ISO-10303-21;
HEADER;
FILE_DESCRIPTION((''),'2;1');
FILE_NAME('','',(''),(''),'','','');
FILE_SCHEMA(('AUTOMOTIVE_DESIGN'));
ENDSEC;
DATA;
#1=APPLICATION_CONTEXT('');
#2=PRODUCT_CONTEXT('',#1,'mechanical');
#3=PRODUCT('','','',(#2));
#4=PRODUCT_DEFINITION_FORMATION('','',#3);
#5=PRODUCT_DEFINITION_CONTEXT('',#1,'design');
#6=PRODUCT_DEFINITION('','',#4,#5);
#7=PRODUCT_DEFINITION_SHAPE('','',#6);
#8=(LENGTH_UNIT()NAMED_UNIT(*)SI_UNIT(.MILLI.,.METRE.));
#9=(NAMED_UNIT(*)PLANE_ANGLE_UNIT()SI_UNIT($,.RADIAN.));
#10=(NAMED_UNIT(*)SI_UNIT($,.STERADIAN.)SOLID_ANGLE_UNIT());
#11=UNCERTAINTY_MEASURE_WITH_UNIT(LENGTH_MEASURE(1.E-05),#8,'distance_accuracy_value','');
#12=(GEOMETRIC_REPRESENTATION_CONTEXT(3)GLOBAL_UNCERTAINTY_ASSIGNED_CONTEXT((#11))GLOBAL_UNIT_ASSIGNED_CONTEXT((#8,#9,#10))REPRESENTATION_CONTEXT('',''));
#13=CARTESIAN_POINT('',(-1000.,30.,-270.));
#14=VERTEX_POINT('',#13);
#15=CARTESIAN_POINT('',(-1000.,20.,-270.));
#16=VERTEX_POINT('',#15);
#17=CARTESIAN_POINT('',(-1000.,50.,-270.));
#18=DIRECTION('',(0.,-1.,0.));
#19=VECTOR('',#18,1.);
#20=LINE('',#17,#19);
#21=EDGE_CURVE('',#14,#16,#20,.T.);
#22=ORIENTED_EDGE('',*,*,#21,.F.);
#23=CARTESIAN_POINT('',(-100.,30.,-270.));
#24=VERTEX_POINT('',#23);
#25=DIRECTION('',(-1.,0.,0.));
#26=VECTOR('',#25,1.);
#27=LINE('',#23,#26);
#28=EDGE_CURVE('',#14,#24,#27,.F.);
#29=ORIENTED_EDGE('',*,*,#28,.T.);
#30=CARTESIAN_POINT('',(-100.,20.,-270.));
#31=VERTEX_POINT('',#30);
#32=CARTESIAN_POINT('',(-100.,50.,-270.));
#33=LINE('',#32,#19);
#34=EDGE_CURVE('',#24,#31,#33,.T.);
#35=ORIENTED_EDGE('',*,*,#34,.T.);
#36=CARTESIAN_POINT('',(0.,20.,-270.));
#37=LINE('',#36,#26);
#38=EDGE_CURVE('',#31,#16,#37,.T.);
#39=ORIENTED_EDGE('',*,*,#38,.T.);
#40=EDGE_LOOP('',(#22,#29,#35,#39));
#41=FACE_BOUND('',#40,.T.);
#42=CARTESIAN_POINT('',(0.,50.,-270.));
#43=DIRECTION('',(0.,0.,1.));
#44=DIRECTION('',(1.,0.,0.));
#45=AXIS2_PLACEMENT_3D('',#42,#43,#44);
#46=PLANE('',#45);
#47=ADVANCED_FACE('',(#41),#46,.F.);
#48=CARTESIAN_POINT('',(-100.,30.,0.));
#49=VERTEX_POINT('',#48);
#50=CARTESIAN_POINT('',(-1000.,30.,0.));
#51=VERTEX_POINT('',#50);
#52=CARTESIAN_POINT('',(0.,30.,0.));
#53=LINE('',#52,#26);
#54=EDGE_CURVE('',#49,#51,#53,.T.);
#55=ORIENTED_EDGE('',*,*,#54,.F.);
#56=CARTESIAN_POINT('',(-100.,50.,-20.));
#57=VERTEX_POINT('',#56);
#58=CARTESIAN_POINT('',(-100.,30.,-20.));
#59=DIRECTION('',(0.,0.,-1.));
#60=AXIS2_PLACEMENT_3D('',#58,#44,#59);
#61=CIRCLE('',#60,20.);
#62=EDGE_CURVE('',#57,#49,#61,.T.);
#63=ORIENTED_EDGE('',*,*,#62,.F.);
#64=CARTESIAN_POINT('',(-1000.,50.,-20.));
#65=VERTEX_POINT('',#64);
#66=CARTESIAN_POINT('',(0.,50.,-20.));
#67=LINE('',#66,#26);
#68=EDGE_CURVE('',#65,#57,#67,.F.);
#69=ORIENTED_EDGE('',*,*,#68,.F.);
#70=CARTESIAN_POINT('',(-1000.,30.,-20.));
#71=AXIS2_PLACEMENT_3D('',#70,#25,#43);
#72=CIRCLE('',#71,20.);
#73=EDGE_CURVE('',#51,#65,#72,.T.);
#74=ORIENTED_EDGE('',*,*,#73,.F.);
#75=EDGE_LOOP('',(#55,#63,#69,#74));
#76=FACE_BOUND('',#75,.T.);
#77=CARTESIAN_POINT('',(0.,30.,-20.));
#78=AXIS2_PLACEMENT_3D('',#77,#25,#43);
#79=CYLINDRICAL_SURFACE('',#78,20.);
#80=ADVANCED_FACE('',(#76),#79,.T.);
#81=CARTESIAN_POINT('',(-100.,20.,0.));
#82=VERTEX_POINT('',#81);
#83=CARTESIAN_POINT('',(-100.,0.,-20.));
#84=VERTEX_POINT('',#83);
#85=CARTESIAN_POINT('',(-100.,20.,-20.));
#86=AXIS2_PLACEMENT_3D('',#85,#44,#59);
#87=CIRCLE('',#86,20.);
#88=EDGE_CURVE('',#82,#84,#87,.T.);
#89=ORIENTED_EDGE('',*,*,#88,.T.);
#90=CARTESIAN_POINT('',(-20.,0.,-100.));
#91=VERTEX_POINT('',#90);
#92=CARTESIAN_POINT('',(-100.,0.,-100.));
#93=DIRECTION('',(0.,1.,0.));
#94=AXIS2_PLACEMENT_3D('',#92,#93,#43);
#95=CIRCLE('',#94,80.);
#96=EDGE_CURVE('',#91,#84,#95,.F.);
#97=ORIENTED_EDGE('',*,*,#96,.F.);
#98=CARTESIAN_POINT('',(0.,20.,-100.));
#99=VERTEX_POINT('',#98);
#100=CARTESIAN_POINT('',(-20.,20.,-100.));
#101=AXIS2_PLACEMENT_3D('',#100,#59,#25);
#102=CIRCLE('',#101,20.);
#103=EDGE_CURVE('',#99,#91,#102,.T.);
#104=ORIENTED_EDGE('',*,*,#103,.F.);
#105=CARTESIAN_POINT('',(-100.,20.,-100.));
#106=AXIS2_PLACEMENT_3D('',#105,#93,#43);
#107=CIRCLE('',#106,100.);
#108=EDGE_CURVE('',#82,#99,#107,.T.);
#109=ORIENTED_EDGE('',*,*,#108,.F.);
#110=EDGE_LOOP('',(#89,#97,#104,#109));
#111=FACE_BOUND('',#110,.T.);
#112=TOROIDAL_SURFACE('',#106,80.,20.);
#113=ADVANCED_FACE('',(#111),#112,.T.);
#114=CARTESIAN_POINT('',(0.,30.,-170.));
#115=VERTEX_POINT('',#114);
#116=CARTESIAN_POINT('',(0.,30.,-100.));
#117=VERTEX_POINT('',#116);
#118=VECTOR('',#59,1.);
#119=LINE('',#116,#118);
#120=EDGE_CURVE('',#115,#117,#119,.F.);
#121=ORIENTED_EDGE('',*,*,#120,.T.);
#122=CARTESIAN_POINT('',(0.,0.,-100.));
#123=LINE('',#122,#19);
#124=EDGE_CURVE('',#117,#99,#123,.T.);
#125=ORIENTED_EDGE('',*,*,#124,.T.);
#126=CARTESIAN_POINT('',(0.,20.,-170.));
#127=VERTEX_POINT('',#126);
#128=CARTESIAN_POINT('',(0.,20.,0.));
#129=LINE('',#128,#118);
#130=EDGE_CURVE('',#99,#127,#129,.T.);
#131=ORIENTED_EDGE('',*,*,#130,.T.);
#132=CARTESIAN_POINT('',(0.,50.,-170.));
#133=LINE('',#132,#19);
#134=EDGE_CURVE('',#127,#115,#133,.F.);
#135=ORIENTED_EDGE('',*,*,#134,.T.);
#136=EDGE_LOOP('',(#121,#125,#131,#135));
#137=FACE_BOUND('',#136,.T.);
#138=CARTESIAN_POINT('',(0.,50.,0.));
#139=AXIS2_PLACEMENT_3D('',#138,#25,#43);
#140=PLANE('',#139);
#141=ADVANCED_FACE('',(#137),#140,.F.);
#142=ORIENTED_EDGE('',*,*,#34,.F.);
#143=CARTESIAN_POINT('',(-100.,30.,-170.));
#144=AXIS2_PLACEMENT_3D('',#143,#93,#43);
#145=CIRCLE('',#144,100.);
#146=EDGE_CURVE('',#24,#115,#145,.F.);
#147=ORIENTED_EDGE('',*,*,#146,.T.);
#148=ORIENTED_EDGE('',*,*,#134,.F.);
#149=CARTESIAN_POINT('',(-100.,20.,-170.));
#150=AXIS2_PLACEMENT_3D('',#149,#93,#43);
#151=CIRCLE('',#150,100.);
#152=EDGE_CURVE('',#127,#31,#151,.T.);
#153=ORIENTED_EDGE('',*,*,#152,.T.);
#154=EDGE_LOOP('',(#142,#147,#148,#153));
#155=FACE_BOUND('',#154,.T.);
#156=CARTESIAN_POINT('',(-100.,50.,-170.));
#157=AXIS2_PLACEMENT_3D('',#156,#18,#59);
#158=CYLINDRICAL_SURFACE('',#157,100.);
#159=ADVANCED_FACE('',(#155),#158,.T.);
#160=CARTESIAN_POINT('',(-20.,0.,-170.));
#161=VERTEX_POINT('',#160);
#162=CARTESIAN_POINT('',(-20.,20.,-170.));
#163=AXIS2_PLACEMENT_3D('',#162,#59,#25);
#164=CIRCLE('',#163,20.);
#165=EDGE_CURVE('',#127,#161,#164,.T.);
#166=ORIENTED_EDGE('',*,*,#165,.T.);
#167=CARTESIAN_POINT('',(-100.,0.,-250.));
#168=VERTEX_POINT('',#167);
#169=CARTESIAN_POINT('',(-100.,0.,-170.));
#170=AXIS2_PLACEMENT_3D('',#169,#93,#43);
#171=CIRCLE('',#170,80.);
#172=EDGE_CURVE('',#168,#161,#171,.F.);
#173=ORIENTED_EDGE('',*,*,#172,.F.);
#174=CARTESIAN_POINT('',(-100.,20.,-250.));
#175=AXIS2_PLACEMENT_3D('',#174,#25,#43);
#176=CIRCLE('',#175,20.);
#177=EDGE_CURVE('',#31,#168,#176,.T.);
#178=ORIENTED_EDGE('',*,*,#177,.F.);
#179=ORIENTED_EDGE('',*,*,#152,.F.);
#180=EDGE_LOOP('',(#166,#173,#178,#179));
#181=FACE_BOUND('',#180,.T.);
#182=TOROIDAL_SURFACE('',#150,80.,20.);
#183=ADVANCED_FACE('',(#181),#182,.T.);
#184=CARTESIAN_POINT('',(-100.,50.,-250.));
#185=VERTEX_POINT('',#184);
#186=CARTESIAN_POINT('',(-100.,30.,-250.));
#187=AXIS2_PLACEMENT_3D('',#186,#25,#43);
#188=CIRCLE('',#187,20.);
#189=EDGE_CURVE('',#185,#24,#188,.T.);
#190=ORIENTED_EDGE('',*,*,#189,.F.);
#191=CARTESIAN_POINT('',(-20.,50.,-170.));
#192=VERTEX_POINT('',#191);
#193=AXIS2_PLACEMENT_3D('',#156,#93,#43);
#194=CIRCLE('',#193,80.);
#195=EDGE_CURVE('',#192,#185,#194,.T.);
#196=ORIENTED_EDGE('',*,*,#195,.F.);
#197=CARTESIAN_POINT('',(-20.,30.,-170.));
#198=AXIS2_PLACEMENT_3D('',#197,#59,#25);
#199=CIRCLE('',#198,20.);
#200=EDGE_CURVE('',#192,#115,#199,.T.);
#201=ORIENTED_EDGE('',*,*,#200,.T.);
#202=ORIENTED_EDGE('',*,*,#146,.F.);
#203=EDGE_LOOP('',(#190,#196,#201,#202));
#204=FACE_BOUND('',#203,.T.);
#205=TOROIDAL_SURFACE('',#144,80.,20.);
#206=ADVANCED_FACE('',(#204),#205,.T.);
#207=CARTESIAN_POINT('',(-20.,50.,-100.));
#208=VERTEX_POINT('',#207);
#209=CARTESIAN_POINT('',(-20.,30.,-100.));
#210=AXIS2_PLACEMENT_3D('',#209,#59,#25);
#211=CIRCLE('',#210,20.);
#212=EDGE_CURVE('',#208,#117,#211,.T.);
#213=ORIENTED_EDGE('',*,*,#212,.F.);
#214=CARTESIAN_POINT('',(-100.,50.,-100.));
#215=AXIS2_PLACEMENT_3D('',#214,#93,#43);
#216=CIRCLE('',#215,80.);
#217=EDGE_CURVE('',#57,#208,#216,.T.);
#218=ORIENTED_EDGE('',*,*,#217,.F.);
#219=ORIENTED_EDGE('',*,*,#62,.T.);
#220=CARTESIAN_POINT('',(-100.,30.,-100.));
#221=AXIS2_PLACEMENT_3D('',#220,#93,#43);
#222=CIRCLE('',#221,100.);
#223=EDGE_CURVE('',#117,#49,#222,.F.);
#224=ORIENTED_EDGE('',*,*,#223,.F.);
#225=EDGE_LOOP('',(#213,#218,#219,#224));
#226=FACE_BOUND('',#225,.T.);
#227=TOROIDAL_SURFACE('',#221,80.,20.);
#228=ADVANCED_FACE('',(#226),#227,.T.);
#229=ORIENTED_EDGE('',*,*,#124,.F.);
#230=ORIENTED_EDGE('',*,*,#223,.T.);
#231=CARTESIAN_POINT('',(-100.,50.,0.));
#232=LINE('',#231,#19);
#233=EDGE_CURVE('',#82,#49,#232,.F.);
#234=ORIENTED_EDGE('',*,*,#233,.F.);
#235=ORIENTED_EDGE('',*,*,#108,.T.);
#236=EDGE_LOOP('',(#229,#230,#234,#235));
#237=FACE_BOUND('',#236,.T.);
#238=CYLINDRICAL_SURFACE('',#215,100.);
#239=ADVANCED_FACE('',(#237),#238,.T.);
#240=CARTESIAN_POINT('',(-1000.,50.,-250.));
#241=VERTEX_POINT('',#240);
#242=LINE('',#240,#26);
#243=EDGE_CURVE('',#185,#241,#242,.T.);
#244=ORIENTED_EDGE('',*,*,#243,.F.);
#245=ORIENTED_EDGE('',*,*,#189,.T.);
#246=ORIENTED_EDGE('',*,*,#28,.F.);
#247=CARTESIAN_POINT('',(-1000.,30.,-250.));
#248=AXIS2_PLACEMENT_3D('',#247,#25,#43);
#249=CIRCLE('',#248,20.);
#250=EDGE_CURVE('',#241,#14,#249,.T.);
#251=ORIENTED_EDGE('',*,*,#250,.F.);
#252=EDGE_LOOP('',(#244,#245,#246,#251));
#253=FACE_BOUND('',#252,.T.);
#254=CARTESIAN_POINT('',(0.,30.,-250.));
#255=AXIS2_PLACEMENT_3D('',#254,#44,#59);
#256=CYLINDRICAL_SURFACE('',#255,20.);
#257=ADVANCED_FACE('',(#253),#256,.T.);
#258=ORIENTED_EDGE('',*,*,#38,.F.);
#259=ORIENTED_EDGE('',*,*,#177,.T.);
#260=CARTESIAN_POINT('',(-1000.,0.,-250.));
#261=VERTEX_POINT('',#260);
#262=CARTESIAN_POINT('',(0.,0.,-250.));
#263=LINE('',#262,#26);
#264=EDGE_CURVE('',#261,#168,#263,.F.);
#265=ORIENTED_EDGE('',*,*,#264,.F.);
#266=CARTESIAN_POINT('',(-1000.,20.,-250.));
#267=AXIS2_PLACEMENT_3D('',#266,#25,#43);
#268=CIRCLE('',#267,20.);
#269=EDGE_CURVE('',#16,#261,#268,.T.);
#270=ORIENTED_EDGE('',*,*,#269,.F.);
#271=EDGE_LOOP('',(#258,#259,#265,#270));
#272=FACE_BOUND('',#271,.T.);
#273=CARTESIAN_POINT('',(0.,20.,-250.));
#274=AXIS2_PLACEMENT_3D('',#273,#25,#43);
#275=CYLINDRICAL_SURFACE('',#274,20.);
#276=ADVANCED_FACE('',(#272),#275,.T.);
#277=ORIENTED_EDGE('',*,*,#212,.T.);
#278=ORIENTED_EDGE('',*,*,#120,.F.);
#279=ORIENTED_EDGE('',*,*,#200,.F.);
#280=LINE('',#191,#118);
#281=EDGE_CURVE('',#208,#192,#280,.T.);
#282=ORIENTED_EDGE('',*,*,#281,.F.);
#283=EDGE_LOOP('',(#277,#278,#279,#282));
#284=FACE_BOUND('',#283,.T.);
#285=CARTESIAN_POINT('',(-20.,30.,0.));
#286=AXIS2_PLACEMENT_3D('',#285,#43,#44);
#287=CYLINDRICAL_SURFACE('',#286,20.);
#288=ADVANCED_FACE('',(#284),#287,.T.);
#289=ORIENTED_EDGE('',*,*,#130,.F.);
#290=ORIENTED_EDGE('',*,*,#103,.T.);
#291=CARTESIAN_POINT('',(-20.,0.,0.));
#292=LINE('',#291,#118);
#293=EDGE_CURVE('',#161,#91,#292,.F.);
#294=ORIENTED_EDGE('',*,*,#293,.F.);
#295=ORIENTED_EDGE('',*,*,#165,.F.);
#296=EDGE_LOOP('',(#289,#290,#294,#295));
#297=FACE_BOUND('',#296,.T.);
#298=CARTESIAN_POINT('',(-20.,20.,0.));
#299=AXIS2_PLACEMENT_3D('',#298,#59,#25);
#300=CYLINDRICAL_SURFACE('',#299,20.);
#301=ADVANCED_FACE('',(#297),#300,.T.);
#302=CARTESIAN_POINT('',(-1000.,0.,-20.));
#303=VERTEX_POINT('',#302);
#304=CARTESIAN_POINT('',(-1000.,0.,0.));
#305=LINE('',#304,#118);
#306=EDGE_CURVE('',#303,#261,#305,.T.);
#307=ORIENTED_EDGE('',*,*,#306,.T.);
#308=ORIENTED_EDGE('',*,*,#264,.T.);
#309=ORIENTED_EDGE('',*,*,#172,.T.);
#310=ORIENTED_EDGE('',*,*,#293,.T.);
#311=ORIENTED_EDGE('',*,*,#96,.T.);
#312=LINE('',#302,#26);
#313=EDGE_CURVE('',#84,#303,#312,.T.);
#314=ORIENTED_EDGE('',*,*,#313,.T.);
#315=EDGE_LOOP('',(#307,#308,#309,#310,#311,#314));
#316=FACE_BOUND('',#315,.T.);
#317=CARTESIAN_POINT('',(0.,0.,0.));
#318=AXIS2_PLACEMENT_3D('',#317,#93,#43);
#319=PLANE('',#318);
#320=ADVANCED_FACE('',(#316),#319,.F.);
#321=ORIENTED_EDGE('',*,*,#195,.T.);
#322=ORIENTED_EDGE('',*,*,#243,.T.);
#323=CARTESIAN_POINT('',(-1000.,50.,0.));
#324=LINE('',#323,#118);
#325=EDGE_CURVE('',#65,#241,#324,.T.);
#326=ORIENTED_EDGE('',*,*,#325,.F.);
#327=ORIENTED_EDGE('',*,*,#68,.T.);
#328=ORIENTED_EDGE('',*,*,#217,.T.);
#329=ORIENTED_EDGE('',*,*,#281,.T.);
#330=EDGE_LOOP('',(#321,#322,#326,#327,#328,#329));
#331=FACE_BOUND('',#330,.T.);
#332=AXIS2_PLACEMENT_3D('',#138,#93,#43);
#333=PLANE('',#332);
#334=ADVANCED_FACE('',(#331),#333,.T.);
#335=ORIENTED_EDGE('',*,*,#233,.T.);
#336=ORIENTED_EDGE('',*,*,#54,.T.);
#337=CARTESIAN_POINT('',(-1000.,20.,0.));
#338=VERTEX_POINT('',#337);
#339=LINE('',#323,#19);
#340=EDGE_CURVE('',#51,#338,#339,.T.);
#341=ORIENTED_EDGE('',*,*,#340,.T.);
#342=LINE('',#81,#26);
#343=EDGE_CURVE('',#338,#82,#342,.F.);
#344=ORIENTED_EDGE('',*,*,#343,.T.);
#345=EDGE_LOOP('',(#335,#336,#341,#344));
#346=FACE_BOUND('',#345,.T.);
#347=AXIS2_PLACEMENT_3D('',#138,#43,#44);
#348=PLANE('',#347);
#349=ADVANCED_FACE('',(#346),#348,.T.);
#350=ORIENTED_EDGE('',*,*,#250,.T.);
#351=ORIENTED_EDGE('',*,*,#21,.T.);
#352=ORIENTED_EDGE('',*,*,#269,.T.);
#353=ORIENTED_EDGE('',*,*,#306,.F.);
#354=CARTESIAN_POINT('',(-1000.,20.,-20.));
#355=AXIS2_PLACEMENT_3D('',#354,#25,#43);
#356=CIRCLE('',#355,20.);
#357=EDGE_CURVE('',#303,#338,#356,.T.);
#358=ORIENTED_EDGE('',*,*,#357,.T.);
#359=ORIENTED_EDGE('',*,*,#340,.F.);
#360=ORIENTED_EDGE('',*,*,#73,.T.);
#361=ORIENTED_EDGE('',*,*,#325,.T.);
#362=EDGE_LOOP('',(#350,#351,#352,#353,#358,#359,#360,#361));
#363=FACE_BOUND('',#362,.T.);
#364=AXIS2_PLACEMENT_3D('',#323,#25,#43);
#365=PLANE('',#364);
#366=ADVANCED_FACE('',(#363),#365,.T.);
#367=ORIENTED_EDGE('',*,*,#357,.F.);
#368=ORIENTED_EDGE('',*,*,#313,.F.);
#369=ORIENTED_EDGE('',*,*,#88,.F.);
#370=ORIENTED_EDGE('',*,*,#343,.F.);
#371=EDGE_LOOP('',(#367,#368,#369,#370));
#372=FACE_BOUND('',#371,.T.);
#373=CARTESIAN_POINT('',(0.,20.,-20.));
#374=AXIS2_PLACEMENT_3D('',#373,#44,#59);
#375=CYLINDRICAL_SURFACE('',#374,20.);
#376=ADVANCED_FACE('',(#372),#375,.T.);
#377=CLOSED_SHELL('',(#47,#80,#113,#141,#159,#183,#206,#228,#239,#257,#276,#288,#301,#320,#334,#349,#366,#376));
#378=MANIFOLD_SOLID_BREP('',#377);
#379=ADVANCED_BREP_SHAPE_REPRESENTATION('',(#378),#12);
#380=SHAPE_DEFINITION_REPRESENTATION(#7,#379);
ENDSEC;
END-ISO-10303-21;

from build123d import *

# Parameters (mm, degrees)
SKETCH1_W           = 1000
SKETCH1_H           = 270
BOSS_EXTRUDE1_DEPTH = 50
FILLET1_R           = 100
FILLET2_R           = 20


with BuildPart() as part:
    # Sketch1 → Boss-Extrude1 (new body)
    with BuildSketch(Plane(origin=(0, 0, 0), x_dir=(1, 0, 0), z_dir=(0, 1, 0))):
        with Locations((-500, 135)):
            Rectangle(SKETCH1_W, SKETCH1_H)
    extrude(amount=BOSS_EXTRUDE1_DEPTH)

    # Fillet1
    fillet1_edges = [part.edges().sort_by_distance(p)[0] for p in [
        (0, 25, 0),
        (0, 25, -270),
    ]]
    fillet(fillet1_edges, radius=FILLET1_R)

    # Fillet2
    fillet2_edges = [part.edges().sort_by_distance(p)[0] for p in [
        (-550, 0, -270),
        (-550, 50, -270),
        (0, 0, -135),
        (-550, 0, 0),
        (-29.289321881, 0, -29.289321881),
        (-29.289321881, 0, -240.710678119),
        (0, 50, -135),
        (-550, 50, 0),
        (-29.289321881, 50, -29.289321881),
        (-29.289321881, 50, -240.710678119),
    ]]
    fillet(fillet2_edges, radius=FILLET2_R)


solid = part.part
